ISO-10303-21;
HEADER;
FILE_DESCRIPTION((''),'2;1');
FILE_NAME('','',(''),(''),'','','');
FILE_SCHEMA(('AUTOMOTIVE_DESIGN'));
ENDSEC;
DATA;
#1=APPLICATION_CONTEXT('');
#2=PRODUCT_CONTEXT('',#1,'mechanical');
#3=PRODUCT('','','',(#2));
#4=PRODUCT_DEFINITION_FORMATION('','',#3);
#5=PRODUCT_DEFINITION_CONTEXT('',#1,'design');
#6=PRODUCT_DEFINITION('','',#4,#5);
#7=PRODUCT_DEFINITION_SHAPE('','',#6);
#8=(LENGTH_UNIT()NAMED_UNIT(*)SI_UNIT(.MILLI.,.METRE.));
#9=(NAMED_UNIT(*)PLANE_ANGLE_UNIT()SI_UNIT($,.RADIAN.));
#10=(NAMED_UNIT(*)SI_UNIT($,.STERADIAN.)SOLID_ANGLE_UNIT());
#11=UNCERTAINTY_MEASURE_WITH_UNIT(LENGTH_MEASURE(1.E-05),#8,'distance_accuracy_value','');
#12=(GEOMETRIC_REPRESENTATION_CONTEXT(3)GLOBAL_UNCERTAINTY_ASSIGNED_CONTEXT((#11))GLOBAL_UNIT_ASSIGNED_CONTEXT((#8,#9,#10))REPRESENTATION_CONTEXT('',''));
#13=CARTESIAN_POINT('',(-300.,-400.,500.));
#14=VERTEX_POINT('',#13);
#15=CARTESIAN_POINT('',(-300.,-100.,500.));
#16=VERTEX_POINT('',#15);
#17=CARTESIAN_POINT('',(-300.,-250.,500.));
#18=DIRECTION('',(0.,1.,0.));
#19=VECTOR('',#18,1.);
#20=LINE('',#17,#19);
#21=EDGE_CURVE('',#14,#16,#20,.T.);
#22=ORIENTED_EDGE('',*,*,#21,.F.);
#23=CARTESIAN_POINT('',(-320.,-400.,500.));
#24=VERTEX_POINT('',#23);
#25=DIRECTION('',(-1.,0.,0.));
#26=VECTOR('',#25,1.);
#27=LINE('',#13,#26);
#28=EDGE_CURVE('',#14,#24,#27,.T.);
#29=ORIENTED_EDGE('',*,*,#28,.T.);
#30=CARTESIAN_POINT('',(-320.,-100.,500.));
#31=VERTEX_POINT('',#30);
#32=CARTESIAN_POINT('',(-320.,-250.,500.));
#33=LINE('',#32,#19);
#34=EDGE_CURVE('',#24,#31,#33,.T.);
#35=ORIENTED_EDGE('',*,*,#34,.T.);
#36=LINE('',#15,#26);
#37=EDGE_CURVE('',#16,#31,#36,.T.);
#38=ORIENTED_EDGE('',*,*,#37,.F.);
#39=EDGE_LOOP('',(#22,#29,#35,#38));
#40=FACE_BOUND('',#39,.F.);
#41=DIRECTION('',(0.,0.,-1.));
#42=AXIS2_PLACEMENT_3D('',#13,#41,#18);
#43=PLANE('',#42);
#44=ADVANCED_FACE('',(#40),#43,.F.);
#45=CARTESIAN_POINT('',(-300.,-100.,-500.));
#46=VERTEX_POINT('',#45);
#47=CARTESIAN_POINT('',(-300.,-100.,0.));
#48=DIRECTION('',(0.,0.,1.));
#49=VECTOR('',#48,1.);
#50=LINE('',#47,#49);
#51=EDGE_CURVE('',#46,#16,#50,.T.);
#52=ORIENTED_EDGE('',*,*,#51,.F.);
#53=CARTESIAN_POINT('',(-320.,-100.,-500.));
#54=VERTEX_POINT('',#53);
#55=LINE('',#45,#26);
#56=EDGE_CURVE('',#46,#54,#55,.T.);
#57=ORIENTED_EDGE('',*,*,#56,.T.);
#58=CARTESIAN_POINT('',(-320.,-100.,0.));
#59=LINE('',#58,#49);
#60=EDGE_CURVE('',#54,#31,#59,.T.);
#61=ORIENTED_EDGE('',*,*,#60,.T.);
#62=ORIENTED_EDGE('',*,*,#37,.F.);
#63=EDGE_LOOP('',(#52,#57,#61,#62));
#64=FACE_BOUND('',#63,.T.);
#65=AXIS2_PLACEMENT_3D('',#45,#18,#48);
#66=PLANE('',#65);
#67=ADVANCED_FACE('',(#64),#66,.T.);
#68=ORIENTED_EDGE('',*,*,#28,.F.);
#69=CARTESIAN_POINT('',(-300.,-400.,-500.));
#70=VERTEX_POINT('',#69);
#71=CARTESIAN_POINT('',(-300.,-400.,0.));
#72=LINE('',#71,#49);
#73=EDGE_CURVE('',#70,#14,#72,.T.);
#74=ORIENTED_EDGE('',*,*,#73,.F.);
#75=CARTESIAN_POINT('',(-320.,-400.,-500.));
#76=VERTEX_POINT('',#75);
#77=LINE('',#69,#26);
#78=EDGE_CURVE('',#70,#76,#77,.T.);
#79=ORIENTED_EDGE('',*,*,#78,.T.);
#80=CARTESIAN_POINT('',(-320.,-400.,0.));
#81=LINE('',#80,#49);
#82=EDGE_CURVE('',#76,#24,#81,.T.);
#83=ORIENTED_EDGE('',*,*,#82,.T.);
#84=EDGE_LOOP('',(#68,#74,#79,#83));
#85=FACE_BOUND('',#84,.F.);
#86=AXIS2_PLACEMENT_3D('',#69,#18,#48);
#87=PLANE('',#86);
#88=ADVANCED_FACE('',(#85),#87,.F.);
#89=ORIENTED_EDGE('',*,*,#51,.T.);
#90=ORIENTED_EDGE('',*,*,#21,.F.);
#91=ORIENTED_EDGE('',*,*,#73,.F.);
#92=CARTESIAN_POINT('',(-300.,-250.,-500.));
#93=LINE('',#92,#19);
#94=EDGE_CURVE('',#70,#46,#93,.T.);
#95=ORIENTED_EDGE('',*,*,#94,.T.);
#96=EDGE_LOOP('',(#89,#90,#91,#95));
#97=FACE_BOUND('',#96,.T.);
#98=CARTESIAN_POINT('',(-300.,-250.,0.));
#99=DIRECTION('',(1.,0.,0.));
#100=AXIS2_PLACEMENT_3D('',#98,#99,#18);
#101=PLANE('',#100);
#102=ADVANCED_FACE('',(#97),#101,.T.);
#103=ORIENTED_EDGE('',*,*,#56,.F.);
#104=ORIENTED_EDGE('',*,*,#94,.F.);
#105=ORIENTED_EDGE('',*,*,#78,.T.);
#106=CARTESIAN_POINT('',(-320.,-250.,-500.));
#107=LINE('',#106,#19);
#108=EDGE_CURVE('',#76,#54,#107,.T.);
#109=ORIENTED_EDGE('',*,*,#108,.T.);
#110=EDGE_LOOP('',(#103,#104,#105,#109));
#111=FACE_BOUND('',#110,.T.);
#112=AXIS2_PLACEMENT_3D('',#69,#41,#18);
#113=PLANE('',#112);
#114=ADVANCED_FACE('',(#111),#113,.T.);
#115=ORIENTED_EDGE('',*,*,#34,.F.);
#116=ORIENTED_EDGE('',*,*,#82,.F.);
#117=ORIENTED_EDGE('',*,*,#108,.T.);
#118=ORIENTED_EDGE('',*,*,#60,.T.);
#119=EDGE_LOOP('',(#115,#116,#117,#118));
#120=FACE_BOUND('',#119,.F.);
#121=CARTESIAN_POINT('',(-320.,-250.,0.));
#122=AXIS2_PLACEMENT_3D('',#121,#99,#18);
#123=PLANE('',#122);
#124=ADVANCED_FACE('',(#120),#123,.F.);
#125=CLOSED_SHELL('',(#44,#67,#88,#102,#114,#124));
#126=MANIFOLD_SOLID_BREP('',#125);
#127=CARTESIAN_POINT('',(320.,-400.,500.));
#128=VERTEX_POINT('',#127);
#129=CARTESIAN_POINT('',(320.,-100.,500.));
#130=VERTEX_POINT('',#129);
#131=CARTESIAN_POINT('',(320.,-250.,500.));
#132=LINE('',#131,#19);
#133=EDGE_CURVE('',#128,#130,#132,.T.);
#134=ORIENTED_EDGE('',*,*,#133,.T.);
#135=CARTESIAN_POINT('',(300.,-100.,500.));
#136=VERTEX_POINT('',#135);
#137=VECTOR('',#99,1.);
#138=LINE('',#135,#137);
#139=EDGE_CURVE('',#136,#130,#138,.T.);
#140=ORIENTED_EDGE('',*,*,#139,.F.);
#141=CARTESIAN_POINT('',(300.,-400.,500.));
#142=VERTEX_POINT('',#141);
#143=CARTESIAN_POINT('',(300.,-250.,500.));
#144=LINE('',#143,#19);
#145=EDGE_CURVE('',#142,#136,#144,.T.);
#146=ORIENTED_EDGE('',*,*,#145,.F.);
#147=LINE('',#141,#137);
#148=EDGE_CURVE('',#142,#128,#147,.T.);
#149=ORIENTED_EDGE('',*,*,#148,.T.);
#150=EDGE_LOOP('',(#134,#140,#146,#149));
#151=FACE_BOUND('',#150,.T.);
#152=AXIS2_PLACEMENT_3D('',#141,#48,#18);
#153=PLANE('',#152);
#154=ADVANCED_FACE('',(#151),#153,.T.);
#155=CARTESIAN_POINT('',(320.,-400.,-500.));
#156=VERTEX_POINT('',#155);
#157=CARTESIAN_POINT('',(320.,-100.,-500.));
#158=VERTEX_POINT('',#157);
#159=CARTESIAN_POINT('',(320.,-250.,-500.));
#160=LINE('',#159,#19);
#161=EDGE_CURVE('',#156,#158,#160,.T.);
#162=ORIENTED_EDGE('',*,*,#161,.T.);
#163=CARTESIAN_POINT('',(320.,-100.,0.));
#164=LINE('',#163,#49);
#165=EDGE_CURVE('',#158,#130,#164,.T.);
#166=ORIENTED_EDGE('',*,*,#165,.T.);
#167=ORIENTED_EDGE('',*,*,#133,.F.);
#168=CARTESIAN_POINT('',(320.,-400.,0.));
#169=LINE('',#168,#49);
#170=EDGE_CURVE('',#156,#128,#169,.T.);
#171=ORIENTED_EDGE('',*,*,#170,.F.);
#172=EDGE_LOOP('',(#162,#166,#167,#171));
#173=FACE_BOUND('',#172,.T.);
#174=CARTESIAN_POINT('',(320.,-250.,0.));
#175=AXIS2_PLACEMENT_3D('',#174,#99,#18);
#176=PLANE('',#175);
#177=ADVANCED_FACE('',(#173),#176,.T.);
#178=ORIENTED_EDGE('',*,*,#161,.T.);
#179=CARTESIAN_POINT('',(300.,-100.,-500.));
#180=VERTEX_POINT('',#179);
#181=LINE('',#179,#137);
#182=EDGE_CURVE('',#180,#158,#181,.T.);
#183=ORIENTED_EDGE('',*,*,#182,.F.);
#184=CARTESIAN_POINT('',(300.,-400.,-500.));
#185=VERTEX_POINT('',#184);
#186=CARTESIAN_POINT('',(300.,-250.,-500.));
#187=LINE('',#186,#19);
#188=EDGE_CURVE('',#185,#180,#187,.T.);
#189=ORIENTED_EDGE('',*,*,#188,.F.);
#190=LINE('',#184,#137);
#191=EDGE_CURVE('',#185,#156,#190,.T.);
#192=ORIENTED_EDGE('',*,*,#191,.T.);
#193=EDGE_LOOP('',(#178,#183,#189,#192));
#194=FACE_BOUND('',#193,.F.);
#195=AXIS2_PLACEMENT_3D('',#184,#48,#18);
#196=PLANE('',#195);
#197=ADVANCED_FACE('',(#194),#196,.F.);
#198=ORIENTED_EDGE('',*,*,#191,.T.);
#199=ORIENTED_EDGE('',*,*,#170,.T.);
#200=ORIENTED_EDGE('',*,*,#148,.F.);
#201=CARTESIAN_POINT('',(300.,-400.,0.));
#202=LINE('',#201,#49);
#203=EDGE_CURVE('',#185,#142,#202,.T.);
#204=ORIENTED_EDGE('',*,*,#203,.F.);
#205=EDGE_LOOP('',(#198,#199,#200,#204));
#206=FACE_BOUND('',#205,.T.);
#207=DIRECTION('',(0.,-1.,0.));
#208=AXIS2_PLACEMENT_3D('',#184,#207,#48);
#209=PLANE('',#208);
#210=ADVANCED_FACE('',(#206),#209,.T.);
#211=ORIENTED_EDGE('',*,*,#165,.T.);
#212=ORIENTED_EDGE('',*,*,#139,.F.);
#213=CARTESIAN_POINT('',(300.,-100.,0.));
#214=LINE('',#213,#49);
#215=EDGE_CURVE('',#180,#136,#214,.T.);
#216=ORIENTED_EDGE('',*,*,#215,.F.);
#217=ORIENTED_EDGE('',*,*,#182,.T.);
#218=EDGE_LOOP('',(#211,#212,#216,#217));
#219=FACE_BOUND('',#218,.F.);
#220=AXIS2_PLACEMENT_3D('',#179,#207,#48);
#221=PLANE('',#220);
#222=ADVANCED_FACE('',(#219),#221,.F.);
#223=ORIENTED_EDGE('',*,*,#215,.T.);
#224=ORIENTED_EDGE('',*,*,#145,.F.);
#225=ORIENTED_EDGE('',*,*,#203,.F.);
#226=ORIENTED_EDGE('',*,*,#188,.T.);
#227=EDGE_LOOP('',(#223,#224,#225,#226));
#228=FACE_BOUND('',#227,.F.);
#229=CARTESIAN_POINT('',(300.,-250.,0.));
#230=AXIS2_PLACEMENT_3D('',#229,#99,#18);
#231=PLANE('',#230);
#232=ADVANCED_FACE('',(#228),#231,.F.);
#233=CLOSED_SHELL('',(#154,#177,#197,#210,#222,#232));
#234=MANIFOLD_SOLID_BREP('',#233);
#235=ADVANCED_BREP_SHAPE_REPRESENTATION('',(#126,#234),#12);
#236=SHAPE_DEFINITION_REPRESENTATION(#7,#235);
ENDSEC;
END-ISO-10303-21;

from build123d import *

# Parameters (mm, degrees)
F2_W     = 300
F2_H     = 1000
F4_DEPTH = 20
F3_W     = 300
F3_H     = 1000
F5_DEPTH = 20


with BuildPart() as f4:
    # F2 (on offset) → F4 (new body)
    with BuildSketch(Plane.YZ.offset(-300)):
        with Locations((-250, 0)):
            Rectangle(F2_W, F2_H)
    extrude(amount=-F4_DEPTH)


with BuildPart() as f5:
    # F3 (on offset) → F5 (new body)
    with BuildSketch(Plane.YZ.offset(300)):
        with Locations((-250, 0)):
            Rectangle(F3_W, F3_H)
    extrude(amount=F5_DEPTH)


solid = Compound([f4.part, f5.part])
